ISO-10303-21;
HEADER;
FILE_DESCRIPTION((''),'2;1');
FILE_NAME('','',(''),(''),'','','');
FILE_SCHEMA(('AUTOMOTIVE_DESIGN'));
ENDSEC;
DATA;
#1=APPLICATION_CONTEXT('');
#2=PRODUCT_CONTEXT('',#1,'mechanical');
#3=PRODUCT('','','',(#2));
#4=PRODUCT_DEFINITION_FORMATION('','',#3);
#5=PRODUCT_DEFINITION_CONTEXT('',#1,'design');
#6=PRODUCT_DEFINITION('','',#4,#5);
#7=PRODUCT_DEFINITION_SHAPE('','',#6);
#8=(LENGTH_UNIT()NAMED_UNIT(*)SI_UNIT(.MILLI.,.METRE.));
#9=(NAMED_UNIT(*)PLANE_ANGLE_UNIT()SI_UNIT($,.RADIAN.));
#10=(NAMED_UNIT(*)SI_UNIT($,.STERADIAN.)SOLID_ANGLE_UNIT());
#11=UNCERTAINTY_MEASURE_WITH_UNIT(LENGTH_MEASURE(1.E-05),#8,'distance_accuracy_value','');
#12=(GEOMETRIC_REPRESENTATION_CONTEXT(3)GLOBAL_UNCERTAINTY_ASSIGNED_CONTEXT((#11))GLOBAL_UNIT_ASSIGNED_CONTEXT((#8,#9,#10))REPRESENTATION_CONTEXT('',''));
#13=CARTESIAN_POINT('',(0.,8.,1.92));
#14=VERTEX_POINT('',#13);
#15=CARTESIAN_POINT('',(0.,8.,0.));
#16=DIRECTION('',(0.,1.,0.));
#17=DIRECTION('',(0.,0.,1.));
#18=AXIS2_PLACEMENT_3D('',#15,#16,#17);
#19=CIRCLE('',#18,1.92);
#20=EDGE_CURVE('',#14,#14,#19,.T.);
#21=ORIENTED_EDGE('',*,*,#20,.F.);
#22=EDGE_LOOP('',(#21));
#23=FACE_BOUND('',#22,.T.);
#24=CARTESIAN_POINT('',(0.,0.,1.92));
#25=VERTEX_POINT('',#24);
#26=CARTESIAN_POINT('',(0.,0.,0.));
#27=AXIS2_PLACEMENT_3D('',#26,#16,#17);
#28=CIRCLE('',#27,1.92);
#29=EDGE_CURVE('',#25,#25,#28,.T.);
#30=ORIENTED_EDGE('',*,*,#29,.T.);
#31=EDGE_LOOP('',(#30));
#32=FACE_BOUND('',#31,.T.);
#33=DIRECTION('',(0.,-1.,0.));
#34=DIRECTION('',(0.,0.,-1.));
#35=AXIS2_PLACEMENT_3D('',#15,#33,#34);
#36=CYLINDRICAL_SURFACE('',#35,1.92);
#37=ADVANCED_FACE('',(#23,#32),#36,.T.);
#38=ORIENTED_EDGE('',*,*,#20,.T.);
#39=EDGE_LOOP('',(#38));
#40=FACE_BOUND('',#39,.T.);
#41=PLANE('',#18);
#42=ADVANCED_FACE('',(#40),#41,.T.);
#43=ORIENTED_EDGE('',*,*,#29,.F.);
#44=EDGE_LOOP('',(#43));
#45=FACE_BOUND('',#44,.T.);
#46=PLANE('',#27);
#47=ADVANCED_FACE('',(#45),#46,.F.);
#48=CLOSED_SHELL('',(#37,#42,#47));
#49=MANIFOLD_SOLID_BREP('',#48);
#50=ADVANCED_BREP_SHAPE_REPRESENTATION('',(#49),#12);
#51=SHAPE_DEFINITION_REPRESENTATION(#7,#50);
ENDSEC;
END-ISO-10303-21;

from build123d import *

# Parameters (mm, degrees)
SKETCH1_R           = 1.92
BOSS_EXTRUDE1_DEPTH = 8


with BuildPart() as part:
    # Sketch1 → Boss-Extrude1 (new body)
    with BuildSketch(Plane(origin=(0, 0, 0), x_dir=(1, 0, 0), z_dir=(0, 1, 0))):
        Circle(SKETCH1_R)
    extrude(amount=BOSS_EXTRUDE1_DEPTH)


solid = part.part
